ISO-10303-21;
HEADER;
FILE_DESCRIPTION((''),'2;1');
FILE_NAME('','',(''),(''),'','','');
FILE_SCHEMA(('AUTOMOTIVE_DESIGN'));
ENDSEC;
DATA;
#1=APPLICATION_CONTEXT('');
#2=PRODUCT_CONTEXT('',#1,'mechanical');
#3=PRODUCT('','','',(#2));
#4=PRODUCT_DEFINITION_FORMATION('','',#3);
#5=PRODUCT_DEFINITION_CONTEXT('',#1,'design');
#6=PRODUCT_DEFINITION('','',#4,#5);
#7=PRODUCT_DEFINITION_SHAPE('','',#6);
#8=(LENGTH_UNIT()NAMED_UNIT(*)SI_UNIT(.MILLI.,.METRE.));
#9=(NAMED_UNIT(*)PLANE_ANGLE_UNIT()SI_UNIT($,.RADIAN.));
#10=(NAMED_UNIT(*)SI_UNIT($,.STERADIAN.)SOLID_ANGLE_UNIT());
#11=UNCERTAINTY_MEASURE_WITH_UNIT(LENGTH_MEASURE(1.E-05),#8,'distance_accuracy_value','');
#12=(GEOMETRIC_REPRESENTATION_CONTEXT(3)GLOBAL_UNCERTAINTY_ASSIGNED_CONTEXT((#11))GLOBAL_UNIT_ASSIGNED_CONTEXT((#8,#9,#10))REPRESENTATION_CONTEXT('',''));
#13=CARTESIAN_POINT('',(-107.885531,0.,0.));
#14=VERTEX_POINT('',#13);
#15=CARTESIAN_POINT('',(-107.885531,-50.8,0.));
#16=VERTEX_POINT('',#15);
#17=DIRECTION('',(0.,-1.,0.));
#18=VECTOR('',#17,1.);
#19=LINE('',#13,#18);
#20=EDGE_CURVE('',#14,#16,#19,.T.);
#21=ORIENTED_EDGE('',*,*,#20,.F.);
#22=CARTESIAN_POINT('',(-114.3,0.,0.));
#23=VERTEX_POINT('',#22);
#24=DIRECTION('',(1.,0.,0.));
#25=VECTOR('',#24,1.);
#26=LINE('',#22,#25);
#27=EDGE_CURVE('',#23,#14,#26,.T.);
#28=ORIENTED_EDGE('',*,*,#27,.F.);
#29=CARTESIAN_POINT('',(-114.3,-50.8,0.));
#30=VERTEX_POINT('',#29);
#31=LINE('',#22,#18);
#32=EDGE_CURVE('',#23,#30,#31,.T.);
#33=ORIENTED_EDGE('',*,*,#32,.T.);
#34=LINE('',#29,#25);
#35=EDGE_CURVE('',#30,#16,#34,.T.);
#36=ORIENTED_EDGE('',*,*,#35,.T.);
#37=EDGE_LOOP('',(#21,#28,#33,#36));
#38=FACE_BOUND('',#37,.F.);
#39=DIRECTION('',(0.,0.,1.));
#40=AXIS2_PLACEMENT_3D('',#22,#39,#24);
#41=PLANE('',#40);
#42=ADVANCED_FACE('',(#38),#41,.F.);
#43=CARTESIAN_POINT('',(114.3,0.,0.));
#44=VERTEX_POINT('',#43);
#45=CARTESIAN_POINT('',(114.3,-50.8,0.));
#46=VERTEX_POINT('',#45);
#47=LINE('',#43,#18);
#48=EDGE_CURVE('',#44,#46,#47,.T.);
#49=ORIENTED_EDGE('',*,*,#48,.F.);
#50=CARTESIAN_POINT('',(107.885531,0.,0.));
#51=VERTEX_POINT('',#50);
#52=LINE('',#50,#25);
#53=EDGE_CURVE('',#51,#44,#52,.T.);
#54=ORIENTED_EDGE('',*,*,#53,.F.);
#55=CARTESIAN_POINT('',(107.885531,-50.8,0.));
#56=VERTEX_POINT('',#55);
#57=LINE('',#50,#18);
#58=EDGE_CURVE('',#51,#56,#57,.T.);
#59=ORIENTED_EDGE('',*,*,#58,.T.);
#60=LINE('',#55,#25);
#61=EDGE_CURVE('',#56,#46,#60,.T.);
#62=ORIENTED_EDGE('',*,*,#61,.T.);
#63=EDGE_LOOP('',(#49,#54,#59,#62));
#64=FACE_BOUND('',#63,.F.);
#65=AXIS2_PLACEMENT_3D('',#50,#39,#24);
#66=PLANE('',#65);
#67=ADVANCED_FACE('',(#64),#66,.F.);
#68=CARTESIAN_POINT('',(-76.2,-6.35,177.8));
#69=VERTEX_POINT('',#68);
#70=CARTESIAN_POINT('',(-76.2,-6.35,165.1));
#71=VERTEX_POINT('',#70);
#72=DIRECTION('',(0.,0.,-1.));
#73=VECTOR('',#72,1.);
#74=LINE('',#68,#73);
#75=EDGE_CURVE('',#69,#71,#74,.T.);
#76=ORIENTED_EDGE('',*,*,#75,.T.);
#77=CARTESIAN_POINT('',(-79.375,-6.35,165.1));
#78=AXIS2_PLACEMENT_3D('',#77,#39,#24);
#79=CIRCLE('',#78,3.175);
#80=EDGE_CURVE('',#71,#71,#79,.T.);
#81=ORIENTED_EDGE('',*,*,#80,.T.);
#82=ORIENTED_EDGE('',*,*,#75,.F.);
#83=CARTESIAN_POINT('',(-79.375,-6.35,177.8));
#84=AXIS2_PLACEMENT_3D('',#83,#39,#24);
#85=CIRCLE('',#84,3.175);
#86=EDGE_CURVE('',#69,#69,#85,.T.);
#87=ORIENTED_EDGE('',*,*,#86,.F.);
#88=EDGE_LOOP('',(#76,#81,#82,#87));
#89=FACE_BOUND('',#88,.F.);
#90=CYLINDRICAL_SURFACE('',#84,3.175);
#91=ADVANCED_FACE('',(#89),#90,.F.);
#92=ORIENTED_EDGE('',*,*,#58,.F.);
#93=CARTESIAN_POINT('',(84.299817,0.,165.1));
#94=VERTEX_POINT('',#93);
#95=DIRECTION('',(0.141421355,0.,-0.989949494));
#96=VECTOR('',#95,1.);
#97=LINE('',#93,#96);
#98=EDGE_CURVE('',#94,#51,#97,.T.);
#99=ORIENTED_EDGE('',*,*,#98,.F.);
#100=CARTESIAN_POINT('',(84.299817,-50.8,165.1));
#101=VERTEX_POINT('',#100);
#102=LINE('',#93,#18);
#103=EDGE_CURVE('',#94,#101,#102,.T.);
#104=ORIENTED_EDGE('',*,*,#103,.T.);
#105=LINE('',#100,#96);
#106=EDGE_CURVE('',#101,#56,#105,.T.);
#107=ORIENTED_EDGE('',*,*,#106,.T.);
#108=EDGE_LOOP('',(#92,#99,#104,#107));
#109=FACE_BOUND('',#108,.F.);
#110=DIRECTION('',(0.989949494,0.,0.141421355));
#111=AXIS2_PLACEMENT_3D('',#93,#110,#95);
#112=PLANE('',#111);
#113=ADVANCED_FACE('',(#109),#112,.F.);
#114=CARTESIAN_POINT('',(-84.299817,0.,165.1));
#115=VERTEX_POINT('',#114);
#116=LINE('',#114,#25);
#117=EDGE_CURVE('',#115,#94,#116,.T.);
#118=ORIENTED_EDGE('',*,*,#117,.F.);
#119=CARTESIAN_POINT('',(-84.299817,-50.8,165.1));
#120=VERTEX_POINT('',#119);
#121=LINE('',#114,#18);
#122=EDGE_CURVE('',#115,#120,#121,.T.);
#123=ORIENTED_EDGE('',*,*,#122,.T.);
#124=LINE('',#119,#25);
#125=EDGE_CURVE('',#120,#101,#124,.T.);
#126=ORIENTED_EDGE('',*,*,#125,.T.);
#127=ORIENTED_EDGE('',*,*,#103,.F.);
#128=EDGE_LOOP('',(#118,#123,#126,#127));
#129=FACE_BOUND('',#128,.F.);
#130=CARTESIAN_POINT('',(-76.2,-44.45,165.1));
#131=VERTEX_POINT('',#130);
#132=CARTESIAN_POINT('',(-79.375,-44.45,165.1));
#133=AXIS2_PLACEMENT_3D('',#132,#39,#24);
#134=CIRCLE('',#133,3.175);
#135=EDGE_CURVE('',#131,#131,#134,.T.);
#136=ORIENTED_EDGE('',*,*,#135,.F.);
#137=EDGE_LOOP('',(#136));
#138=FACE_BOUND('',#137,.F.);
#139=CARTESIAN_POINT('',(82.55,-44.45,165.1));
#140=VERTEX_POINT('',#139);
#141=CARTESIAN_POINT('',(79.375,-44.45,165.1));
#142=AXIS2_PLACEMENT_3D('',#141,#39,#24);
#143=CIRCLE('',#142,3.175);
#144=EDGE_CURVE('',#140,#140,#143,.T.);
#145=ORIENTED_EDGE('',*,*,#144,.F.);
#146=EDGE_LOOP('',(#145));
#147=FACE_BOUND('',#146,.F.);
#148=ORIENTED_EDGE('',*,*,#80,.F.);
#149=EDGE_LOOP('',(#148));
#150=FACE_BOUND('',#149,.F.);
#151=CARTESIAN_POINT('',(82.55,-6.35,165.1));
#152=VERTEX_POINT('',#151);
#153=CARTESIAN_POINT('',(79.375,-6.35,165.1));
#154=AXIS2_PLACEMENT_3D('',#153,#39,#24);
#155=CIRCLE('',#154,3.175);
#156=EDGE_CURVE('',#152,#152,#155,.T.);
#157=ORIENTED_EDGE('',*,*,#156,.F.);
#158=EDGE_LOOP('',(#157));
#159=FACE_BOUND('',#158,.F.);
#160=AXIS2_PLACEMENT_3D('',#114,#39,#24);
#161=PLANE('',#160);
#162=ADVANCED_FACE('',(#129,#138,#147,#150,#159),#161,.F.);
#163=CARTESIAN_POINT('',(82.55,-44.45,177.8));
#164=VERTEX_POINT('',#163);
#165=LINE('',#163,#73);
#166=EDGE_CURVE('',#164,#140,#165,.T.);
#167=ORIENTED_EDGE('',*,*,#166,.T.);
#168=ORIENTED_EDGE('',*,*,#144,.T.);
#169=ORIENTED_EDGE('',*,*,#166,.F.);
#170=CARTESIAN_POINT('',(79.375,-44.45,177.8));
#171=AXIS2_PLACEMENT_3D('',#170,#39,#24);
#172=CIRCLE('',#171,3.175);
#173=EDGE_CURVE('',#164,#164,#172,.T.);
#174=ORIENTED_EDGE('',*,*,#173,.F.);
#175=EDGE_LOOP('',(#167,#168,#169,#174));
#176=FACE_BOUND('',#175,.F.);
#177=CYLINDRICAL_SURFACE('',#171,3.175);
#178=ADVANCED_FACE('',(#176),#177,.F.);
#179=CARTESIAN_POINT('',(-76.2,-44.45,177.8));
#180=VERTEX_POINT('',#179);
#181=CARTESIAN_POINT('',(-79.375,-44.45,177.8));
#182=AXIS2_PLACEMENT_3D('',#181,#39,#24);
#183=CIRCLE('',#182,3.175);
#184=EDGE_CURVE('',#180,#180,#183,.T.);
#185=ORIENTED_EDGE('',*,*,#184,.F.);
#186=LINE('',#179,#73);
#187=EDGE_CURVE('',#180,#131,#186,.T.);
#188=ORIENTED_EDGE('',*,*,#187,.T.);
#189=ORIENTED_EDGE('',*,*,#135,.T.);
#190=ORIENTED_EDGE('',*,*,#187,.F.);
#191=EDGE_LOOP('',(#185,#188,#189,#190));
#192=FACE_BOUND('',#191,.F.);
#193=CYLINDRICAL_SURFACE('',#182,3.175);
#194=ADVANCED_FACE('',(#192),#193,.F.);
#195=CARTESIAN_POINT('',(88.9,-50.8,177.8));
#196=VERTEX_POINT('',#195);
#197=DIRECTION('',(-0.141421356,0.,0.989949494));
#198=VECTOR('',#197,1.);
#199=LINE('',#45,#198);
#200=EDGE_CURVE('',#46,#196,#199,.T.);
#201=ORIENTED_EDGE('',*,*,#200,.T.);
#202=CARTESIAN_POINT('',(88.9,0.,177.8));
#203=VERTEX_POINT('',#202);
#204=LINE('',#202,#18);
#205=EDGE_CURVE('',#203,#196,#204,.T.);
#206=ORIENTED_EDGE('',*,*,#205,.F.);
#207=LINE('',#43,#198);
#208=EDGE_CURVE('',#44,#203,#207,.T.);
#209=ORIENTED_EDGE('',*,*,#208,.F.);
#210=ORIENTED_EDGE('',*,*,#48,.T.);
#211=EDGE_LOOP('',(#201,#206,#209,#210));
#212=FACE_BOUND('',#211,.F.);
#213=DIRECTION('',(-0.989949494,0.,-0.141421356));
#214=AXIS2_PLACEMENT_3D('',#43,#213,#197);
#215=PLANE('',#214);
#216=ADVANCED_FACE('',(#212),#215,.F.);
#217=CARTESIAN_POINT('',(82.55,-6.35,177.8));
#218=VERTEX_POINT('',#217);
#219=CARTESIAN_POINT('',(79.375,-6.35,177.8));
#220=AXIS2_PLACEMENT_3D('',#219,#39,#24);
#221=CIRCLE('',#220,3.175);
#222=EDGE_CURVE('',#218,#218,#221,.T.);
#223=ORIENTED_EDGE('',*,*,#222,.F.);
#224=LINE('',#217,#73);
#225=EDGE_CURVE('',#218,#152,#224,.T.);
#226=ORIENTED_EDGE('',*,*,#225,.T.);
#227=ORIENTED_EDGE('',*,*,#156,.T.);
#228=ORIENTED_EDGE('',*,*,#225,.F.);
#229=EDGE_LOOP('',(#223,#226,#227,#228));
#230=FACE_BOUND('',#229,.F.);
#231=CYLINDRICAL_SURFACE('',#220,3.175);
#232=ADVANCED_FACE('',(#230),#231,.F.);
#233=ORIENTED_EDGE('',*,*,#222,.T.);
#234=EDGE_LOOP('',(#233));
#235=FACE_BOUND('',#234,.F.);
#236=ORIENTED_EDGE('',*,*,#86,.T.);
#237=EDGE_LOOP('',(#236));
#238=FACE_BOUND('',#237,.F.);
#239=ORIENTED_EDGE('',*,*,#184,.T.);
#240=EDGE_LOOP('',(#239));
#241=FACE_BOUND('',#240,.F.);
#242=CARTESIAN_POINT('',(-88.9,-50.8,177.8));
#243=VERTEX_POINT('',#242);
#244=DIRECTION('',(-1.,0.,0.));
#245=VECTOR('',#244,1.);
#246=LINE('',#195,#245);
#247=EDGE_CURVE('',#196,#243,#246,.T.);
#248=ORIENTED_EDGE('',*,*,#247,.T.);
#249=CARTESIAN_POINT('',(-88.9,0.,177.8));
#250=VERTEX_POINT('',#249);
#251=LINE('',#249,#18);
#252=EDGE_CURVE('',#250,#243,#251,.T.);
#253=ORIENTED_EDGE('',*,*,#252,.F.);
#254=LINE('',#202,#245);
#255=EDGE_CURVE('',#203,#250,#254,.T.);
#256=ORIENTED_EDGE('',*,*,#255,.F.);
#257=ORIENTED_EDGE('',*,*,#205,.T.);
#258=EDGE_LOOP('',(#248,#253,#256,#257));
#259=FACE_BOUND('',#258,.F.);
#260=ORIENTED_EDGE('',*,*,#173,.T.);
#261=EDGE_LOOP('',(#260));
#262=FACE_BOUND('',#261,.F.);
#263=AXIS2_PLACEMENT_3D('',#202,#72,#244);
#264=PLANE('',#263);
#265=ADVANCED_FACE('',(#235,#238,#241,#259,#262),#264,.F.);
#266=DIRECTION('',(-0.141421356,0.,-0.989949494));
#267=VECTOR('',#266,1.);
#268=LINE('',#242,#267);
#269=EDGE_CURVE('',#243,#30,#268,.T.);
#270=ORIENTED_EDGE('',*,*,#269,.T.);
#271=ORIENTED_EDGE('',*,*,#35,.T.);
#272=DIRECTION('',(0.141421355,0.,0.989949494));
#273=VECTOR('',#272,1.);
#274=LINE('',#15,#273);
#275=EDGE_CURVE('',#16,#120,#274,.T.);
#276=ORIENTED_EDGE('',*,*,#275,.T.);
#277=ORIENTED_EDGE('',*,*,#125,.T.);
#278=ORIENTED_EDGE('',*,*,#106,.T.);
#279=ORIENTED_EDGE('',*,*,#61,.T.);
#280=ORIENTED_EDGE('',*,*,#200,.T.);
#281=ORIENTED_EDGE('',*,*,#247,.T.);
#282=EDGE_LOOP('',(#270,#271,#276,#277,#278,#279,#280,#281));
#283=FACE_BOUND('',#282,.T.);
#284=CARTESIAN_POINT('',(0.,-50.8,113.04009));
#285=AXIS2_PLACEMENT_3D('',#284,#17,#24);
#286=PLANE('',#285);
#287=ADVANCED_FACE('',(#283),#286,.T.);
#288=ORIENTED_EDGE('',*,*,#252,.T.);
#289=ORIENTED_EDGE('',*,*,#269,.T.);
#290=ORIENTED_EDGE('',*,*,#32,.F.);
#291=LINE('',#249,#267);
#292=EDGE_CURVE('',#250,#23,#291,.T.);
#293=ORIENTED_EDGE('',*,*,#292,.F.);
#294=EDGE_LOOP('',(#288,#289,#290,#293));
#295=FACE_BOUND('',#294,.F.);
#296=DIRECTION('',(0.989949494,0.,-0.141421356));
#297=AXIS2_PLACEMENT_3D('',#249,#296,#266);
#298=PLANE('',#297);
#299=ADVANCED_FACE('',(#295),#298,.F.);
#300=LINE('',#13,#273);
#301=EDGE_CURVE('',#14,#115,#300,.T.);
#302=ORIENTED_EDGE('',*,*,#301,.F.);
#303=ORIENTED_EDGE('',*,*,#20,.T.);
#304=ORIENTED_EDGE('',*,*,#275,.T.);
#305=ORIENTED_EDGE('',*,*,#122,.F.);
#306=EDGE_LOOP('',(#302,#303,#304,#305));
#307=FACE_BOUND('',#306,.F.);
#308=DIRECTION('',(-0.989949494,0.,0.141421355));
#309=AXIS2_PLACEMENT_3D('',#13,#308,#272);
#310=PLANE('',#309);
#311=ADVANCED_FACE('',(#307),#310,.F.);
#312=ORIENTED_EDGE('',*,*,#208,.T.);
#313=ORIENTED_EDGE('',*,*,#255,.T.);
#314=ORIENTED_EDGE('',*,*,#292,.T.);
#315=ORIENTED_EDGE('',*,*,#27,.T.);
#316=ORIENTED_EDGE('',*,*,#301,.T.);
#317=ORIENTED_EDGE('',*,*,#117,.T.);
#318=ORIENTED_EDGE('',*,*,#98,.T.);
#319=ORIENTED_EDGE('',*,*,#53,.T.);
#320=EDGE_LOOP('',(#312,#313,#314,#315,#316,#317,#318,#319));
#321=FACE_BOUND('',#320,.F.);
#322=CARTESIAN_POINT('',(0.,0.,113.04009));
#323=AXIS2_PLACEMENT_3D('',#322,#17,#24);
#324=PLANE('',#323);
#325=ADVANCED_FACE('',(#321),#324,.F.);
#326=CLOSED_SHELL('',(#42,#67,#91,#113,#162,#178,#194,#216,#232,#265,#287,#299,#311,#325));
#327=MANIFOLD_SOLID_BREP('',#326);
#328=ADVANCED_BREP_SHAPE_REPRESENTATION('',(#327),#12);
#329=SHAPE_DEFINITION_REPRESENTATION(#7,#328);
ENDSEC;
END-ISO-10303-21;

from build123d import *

# Parameters (mm, degrees)
F1_DEPTH = 50.8
F3_R     = 3.175
F4_DEPTH = 177.801


with BuildPart() as f1:
    # F0 (on Front) → F1 (new body)
    with BuildSketch(Plane.XZ):
        Polygon((25.4, 177.8), (0, 0), (6.414469, 0), (30.000183, 165.1), (198.599817, 165.1), (222.185531, 0), (228.6, 0), (203.2, 177.8), align=None)
    extrude(amount=F1_DEPTH)


with BuildPart() as f1_1:
    # F2: moved
    add(f1.part.moved(Location((-114.3, 0, 0))))

    # F3 (on face) → F4 (cut, through all)
    with BuildSketch(Plane.XY.offset(177.8)):
        with Locations((-79.375, -6.35)):
            Circle(F3_R)
        with Locations((-79.375, -44.45)):
            Circle(F3_R)
        with Locations((79.375, -6.35)):
            Circle(F3_R)
        with Locations((79.375, -44.45)):
            Circle(F3_R)
    extrude(amount=-F4_DEPTH, mode=Mode.SUBTRACT)


solid = f1_1.part
